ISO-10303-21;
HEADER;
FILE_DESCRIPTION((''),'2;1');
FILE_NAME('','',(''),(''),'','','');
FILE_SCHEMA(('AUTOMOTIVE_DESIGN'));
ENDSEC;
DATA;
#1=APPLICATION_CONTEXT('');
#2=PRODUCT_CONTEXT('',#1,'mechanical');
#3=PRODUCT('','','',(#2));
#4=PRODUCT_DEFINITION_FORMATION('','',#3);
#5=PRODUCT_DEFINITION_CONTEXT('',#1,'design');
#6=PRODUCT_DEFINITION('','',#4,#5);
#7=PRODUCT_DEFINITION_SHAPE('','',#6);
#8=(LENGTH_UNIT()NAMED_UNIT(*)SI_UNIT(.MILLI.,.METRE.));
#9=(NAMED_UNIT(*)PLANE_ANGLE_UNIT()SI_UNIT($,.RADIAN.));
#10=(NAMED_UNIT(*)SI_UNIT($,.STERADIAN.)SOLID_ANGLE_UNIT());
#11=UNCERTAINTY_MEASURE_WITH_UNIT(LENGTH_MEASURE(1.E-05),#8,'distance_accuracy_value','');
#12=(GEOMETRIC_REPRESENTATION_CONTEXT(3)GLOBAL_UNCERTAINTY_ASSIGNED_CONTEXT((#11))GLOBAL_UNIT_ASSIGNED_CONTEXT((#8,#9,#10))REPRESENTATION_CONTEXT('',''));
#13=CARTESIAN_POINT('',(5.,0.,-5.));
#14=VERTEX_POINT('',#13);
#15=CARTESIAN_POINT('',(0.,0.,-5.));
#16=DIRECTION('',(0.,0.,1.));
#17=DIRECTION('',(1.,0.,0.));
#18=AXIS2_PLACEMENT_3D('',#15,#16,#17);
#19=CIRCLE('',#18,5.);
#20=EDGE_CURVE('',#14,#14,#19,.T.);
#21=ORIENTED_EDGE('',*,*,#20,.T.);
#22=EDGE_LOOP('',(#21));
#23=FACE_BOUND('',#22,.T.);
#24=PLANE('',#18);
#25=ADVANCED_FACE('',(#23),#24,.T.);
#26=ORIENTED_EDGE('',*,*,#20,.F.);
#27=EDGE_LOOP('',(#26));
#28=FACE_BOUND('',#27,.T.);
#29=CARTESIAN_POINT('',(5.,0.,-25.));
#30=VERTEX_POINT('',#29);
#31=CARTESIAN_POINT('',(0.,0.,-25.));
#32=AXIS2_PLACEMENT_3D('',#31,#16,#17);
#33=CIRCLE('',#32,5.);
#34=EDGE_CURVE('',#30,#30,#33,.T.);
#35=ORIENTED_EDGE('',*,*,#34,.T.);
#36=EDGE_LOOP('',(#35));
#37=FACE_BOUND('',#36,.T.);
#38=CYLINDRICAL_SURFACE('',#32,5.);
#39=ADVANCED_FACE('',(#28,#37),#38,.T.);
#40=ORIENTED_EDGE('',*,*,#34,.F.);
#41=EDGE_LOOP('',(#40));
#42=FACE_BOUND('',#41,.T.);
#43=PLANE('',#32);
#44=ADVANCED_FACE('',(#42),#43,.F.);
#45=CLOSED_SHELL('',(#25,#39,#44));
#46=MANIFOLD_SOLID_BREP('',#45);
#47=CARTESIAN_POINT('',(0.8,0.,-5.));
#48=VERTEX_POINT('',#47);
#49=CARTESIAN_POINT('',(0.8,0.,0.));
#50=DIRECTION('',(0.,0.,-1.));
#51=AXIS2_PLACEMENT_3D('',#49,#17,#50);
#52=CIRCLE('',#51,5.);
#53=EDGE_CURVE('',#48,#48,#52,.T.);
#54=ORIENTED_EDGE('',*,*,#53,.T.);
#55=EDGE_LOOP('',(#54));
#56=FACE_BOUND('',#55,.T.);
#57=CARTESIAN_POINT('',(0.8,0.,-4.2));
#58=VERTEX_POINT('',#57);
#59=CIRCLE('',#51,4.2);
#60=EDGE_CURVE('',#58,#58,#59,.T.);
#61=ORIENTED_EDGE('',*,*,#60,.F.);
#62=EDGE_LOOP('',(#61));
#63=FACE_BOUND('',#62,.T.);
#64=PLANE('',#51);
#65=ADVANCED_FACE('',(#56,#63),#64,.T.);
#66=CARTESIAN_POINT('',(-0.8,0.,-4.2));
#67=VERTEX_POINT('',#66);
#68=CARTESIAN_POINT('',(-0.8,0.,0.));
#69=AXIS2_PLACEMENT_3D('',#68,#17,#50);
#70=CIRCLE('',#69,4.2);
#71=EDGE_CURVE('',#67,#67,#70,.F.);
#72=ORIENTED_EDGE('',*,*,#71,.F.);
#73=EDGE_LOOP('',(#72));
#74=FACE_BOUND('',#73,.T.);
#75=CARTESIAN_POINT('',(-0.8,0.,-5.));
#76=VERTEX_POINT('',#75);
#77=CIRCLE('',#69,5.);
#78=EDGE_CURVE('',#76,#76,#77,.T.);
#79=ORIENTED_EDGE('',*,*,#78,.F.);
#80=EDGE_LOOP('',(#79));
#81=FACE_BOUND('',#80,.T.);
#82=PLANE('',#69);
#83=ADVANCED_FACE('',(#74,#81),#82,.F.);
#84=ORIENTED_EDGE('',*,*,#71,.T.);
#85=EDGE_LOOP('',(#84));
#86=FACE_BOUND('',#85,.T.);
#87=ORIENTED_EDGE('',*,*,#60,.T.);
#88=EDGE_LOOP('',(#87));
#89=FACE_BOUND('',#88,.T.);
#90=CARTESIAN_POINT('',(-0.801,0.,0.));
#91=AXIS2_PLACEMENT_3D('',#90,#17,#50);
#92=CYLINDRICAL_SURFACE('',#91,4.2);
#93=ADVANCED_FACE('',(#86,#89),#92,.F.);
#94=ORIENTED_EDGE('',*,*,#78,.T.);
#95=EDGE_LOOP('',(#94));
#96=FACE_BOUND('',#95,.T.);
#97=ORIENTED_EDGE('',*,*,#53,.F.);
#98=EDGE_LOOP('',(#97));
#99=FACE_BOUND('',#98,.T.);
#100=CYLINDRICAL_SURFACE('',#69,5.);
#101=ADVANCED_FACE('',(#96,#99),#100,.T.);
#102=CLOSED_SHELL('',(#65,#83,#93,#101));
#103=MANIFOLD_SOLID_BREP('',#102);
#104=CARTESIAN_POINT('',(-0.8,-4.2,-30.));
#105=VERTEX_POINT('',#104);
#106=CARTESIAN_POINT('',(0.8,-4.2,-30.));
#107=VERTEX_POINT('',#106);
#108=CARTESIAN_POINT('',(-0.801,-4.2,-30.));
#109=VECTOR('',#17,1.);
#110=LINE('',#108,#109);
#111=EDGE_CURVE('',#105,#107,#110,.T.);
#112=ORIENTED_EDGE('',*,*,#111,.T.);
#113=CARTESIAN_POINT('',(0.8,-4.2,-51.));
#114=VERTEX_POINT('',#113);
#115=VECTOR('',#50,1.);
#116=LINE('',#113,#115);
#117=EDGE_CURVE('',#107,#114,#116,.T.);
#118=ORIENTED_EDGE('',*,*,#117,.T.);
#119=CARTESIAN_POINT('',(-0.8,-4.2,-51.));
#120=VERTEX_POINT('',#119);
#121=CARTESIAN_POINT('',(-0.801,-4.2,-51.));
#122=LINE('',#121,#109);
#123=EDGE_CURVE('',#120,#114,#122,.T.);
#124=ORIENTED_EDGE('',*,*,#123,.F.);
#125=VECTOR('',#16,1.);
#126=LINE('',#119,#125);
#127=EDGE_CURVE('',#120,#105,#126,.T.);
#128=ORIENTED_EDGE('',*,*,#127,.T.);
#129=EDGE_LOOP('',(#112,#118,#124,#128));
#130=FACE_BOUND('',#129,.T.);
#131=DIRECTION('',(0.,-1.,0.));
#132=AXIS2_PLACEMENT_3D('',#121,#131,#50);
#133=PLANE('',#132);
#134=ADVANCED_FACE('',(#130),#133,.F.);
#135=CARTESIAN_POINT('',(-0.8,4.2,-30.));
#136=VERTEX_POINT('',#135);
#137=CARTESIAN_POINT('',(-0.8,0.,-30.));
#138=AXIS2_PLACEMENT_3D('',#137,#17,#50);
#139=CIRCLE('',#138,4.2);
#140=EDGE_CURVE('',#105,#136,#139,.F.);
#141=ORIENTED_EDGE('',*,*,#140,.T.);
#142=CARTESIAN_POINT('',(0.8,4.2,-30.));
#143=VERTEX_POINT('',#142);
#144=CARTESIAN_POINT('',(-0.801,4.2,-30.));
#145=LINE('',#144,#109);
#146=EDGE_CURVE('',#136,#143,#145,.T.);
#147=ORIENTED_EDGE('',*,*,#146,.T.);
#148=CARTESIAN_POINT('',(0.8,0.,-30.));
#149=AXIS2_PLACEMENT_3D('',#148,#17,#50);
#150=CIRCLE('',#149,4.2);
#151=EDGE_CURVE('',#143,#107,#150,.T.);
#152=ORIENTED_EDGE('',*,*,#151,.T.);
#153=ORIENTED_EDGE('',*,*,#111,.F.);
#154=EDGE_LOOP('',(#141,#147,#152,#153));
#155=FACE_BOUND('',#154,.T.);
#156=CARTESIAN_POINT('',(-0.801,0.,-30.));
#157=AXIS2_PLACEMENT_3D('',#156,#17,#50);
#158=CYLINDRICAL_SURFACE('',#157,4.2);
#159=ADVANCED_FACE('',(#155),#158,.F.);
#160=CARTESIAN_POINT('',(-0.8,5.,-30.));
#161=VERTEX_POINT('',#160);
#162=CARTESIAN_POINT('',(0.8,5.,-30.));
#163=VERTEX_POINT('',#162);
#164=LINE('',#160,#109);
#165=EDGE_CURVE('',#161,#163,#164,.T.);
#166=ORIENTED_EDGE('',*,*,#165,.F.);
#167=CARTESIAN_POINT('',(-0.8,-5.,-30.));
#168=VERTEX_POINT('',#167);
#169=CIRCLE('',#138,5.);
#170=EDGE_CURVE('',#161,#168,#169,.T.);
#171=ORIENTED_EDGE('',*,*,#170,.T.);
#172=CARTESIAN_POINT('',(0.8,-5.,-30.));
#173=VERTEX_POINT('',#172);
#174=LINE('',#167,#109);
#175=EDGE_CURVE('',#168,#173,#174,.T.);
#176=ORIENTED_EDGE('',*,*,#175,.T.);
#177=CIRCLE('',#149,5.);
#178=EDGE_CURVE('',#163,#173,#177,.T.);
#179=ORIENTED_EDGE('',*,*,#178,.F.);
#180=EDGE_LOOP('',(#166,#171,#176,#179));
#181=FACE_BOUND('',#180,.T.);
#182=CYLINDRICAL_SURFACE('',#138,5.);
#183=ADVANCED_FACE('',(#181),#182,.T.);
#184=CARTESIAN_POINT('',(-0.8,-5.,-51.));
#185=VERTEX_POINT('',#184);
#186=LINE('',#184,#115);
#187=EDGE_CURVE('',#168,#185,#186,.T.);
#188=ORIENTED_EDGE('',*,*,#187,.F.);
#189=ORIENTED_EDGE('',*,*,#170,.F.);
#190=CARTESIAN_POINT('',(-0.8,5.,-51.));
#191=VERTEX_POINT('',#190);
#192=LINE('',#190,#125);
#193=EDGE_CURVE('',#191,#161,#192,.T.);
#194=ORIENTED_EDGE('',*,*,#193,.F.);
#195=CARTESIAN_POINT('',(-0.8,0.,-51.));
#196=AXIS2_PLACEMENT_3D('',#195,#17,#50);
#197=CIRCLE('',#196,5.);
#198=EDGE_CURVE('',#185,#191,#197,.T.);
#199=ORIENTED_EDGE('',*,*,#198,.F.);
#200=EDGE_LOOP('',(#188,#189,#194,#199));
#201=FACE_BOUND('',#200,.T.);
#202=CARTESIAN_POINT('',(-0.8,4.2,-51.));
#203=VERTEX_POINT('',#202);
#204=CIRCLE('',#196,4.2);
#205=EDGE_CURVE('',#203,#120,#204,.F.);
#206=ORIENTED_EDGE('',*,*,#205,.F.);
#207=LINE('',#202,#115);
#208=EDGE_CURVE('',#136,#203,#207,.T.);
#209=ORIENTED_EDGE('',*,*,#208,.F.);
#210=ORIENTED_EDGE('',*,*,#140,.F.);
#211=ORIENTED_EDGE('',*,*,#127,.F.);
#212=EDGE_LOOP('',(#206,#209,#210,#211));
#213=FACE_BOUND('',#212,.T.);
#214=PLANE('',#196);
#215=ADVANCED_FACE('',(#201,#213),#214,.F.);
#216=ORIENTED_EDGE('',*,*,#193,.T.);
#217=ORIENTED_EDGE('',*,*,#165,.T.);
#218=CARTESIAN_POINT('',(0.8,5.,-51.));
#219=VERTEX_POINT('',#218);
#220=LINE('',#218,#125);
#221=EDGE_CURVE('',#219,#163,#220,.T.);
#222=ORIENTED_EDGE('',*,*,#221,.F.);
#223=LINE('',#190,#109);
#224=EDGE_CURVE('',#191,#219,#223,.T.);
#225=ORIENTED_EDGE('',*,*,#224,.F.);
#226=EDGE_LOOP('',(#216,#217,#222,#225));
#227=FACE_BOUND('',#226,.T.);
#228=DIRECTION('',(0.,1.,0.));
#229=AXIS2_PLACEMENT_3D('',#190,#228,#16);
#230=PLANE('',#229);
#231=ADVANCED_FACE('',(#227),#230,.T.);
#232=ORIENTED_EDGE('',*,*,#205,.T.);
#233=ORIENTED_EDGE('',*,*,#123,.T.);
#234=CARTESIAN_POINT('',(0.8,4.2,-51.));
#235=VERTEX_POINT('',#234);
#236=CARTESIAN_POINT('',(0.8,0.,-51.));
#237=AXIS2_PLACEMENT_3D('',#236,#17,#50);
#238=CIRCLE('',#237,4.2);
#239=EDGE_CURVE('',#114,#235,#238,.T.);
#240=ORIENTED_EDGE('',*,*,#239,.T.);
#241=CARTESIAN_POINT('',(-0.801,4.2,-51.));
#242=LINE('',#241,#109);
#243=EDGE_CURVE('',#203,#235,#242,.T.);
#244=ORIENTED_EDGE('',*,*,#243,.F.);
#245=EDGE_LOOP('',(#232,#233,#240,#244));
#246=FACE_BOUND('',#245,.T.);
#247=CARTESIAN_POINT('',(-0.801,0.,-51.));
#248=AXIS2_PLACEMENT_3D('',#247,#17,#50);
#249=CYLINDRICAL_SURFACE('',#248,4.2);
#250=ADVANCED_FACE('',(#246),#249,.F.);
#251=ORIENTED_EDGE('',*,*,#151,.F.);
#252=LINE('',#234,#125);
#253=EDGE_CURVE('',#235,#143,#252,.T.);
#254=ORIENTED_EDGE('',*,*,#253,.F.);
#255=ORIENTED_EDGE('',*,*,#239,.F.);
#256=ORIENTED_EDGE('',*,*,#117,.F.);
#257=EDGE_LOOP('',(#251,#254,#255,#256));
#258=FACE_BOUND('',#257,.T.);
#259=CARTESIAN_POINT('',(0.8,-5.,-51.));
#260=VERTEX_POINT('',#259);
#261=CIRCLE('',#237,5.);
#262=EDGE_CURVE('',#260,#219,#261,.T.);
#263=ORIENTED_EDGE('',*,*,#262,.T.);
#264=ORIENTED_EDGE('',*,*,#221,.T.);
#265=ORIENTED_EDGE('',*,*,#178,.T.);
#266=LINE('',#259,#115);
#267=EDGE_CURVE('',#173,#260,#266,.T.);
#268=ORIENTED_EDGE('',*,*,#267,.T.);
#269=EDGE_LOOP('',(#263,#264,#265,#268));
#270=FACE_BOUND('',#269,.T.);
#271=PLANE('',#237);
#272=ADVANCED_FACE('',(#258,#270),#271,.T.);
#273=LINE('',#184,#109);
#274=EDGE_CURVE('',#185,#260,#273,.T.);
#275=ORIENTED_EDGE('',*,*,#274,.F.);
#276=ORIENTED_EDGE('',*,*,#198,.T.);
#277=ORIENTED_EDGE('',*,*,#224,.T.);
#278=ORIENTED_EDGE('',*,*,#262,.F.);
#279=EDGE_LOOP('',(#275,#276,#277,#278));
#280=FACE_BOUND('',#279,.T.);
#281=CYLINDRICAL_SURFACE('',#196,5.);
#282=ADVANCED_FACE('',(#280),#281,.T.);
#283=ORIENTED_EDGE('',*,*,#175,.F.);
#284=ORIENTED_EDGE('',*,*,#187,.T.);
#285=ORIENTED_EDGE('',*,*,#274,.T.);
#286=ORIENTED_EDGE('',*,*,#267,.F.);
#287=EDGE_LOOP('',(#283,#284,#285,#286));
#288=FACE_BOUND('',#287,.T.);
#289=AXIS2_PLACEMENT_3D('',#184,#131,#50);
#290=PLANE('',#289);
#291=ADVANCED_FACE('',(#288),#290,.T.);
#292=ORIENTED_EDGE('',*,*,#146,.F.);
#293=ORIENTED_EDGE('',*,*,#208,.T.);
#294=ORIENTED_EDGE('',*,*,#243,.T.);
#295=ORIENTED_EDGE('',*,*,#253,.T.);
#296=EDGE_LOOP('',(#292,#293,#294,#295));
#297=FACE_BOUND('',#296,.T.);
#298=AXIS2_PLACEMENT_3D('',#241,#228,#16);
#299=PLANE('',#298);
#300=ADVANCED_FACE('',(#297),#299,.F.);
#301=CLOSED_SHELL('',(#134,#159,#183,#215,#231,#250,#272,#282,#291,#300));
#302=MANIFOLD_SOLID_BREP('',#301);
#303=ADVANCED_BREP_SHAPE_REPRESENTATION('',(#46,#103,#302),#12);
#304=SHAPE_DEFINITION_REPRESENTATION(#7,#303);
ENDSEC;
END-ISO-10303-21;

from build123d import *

# Parameters (mm, degrees)
BOSS_EXTRUDE1_DEPTH        = 0.8
BOSS_EXTRUDE1_DEPTH_BACK   = 0.8
SKETCH1_R                  = 5
BOSS_EXTRUDE1_2_DEPTH      = 0.8
BOSS_EXTRUDE1_2_DEPTH_BACK = 0.8
SKETCH2_R                  = 4.2
CUT_EXTRUDE1_DEPTH         = 1.6
SKETCH6_R                  = 5
BOSS_EXTRUDE3_DEPTH        = 20


with BuildPart() as part:
    # Sketch1 → Boss-Extrude1 (new, two sides: drawn at the far end of the back side and taken through both)
    with BuildSketch(Plane(origin=(0, 0, 0), x_dir=(0, 0, -1), z_dir=(1, 0, 0)).offset(-BOSS_EXTRUDE1_DEPTH_BACK)):
        Circle(SKETCH1_R)
    extrude(amount=BOSS_EXTRUDE1_DEPTH + BOSS_EXTRUDE1_DEPTH_BACK)


with BuildPart() as body_2:
    # Sketch1 → Boss-Extrude1 2 (new, two sides: drawn at the far end of the back side and taken through both)
    with BuildSketch(Plane(origin=(0, 0, 0), x_dir=(0, 0, -1), z_dir=(1, 0, 0)).offset(-BOSS_EXTRUDE1_2_DEPTH_BACK)):
        with BuildLine():
            Line((51, -5), (30, -5))
            ThreePointArc((30, -5), (25, 0), (30, 5))
            Line((30, 5), (51, 5))
            ThreePointArc((51, 5), (56, 0), (51, -5))
        make_face()
    extrude(amount=BOSS_EXTRUDE1_2_DEPTH + BOSS_EXTRUDE1_2_DEPTH_BACK)


with BuildPart() as cut_extrude1_tool:
    # Sketch2 → Cut-Extrude1 (new body)
    with BuildSketch(Plane(origin=(0.8, 0, 0), x_dir=(0, 0, -1), z_dir=(1, 0, 0))):
        Circle(SKETCH2_R)
        with BuildLine():
            Line((51, -4.2), (30, -4.2))
            ThreePointArc((30, -4.2), (25.8, 0), (30, 4.2))
            Line((30, 4.2), (51, 4.2))
            ThreePointArc((51, 4.2), (55.2, 0), (51, -4.2))
        make_face()
    extrude(amount=-CUT_EXTRUDE1_DEPTH)


with BuildPart() as part_1:
    add(part.part)

    # Cut-Extrude1: cut by cut_extrude1_tool
    add(cut_extrude1_tool.part, mode=Mode.SUBTRACT)


with BuildPart() as body_2_1:
    add(body_2.part)

    # Cut-Extrude1: cut by cut_extrude1_tool
    add(cut_extrude1_tool.part, mode=Mode.SUBTRACT)


with BuildPart() as body_3:
    # Sketch6 → Boss-Extrude3 (new body)
    with BuildSketch(Plane.XY.offset(-5)):
        Circle(SKETCH6_R)
    extrude(amount=-BOSS_EXTRUDE3_DEPTH)


solid = Compound([part_1.part, body_2_1.part, body_3.part])
